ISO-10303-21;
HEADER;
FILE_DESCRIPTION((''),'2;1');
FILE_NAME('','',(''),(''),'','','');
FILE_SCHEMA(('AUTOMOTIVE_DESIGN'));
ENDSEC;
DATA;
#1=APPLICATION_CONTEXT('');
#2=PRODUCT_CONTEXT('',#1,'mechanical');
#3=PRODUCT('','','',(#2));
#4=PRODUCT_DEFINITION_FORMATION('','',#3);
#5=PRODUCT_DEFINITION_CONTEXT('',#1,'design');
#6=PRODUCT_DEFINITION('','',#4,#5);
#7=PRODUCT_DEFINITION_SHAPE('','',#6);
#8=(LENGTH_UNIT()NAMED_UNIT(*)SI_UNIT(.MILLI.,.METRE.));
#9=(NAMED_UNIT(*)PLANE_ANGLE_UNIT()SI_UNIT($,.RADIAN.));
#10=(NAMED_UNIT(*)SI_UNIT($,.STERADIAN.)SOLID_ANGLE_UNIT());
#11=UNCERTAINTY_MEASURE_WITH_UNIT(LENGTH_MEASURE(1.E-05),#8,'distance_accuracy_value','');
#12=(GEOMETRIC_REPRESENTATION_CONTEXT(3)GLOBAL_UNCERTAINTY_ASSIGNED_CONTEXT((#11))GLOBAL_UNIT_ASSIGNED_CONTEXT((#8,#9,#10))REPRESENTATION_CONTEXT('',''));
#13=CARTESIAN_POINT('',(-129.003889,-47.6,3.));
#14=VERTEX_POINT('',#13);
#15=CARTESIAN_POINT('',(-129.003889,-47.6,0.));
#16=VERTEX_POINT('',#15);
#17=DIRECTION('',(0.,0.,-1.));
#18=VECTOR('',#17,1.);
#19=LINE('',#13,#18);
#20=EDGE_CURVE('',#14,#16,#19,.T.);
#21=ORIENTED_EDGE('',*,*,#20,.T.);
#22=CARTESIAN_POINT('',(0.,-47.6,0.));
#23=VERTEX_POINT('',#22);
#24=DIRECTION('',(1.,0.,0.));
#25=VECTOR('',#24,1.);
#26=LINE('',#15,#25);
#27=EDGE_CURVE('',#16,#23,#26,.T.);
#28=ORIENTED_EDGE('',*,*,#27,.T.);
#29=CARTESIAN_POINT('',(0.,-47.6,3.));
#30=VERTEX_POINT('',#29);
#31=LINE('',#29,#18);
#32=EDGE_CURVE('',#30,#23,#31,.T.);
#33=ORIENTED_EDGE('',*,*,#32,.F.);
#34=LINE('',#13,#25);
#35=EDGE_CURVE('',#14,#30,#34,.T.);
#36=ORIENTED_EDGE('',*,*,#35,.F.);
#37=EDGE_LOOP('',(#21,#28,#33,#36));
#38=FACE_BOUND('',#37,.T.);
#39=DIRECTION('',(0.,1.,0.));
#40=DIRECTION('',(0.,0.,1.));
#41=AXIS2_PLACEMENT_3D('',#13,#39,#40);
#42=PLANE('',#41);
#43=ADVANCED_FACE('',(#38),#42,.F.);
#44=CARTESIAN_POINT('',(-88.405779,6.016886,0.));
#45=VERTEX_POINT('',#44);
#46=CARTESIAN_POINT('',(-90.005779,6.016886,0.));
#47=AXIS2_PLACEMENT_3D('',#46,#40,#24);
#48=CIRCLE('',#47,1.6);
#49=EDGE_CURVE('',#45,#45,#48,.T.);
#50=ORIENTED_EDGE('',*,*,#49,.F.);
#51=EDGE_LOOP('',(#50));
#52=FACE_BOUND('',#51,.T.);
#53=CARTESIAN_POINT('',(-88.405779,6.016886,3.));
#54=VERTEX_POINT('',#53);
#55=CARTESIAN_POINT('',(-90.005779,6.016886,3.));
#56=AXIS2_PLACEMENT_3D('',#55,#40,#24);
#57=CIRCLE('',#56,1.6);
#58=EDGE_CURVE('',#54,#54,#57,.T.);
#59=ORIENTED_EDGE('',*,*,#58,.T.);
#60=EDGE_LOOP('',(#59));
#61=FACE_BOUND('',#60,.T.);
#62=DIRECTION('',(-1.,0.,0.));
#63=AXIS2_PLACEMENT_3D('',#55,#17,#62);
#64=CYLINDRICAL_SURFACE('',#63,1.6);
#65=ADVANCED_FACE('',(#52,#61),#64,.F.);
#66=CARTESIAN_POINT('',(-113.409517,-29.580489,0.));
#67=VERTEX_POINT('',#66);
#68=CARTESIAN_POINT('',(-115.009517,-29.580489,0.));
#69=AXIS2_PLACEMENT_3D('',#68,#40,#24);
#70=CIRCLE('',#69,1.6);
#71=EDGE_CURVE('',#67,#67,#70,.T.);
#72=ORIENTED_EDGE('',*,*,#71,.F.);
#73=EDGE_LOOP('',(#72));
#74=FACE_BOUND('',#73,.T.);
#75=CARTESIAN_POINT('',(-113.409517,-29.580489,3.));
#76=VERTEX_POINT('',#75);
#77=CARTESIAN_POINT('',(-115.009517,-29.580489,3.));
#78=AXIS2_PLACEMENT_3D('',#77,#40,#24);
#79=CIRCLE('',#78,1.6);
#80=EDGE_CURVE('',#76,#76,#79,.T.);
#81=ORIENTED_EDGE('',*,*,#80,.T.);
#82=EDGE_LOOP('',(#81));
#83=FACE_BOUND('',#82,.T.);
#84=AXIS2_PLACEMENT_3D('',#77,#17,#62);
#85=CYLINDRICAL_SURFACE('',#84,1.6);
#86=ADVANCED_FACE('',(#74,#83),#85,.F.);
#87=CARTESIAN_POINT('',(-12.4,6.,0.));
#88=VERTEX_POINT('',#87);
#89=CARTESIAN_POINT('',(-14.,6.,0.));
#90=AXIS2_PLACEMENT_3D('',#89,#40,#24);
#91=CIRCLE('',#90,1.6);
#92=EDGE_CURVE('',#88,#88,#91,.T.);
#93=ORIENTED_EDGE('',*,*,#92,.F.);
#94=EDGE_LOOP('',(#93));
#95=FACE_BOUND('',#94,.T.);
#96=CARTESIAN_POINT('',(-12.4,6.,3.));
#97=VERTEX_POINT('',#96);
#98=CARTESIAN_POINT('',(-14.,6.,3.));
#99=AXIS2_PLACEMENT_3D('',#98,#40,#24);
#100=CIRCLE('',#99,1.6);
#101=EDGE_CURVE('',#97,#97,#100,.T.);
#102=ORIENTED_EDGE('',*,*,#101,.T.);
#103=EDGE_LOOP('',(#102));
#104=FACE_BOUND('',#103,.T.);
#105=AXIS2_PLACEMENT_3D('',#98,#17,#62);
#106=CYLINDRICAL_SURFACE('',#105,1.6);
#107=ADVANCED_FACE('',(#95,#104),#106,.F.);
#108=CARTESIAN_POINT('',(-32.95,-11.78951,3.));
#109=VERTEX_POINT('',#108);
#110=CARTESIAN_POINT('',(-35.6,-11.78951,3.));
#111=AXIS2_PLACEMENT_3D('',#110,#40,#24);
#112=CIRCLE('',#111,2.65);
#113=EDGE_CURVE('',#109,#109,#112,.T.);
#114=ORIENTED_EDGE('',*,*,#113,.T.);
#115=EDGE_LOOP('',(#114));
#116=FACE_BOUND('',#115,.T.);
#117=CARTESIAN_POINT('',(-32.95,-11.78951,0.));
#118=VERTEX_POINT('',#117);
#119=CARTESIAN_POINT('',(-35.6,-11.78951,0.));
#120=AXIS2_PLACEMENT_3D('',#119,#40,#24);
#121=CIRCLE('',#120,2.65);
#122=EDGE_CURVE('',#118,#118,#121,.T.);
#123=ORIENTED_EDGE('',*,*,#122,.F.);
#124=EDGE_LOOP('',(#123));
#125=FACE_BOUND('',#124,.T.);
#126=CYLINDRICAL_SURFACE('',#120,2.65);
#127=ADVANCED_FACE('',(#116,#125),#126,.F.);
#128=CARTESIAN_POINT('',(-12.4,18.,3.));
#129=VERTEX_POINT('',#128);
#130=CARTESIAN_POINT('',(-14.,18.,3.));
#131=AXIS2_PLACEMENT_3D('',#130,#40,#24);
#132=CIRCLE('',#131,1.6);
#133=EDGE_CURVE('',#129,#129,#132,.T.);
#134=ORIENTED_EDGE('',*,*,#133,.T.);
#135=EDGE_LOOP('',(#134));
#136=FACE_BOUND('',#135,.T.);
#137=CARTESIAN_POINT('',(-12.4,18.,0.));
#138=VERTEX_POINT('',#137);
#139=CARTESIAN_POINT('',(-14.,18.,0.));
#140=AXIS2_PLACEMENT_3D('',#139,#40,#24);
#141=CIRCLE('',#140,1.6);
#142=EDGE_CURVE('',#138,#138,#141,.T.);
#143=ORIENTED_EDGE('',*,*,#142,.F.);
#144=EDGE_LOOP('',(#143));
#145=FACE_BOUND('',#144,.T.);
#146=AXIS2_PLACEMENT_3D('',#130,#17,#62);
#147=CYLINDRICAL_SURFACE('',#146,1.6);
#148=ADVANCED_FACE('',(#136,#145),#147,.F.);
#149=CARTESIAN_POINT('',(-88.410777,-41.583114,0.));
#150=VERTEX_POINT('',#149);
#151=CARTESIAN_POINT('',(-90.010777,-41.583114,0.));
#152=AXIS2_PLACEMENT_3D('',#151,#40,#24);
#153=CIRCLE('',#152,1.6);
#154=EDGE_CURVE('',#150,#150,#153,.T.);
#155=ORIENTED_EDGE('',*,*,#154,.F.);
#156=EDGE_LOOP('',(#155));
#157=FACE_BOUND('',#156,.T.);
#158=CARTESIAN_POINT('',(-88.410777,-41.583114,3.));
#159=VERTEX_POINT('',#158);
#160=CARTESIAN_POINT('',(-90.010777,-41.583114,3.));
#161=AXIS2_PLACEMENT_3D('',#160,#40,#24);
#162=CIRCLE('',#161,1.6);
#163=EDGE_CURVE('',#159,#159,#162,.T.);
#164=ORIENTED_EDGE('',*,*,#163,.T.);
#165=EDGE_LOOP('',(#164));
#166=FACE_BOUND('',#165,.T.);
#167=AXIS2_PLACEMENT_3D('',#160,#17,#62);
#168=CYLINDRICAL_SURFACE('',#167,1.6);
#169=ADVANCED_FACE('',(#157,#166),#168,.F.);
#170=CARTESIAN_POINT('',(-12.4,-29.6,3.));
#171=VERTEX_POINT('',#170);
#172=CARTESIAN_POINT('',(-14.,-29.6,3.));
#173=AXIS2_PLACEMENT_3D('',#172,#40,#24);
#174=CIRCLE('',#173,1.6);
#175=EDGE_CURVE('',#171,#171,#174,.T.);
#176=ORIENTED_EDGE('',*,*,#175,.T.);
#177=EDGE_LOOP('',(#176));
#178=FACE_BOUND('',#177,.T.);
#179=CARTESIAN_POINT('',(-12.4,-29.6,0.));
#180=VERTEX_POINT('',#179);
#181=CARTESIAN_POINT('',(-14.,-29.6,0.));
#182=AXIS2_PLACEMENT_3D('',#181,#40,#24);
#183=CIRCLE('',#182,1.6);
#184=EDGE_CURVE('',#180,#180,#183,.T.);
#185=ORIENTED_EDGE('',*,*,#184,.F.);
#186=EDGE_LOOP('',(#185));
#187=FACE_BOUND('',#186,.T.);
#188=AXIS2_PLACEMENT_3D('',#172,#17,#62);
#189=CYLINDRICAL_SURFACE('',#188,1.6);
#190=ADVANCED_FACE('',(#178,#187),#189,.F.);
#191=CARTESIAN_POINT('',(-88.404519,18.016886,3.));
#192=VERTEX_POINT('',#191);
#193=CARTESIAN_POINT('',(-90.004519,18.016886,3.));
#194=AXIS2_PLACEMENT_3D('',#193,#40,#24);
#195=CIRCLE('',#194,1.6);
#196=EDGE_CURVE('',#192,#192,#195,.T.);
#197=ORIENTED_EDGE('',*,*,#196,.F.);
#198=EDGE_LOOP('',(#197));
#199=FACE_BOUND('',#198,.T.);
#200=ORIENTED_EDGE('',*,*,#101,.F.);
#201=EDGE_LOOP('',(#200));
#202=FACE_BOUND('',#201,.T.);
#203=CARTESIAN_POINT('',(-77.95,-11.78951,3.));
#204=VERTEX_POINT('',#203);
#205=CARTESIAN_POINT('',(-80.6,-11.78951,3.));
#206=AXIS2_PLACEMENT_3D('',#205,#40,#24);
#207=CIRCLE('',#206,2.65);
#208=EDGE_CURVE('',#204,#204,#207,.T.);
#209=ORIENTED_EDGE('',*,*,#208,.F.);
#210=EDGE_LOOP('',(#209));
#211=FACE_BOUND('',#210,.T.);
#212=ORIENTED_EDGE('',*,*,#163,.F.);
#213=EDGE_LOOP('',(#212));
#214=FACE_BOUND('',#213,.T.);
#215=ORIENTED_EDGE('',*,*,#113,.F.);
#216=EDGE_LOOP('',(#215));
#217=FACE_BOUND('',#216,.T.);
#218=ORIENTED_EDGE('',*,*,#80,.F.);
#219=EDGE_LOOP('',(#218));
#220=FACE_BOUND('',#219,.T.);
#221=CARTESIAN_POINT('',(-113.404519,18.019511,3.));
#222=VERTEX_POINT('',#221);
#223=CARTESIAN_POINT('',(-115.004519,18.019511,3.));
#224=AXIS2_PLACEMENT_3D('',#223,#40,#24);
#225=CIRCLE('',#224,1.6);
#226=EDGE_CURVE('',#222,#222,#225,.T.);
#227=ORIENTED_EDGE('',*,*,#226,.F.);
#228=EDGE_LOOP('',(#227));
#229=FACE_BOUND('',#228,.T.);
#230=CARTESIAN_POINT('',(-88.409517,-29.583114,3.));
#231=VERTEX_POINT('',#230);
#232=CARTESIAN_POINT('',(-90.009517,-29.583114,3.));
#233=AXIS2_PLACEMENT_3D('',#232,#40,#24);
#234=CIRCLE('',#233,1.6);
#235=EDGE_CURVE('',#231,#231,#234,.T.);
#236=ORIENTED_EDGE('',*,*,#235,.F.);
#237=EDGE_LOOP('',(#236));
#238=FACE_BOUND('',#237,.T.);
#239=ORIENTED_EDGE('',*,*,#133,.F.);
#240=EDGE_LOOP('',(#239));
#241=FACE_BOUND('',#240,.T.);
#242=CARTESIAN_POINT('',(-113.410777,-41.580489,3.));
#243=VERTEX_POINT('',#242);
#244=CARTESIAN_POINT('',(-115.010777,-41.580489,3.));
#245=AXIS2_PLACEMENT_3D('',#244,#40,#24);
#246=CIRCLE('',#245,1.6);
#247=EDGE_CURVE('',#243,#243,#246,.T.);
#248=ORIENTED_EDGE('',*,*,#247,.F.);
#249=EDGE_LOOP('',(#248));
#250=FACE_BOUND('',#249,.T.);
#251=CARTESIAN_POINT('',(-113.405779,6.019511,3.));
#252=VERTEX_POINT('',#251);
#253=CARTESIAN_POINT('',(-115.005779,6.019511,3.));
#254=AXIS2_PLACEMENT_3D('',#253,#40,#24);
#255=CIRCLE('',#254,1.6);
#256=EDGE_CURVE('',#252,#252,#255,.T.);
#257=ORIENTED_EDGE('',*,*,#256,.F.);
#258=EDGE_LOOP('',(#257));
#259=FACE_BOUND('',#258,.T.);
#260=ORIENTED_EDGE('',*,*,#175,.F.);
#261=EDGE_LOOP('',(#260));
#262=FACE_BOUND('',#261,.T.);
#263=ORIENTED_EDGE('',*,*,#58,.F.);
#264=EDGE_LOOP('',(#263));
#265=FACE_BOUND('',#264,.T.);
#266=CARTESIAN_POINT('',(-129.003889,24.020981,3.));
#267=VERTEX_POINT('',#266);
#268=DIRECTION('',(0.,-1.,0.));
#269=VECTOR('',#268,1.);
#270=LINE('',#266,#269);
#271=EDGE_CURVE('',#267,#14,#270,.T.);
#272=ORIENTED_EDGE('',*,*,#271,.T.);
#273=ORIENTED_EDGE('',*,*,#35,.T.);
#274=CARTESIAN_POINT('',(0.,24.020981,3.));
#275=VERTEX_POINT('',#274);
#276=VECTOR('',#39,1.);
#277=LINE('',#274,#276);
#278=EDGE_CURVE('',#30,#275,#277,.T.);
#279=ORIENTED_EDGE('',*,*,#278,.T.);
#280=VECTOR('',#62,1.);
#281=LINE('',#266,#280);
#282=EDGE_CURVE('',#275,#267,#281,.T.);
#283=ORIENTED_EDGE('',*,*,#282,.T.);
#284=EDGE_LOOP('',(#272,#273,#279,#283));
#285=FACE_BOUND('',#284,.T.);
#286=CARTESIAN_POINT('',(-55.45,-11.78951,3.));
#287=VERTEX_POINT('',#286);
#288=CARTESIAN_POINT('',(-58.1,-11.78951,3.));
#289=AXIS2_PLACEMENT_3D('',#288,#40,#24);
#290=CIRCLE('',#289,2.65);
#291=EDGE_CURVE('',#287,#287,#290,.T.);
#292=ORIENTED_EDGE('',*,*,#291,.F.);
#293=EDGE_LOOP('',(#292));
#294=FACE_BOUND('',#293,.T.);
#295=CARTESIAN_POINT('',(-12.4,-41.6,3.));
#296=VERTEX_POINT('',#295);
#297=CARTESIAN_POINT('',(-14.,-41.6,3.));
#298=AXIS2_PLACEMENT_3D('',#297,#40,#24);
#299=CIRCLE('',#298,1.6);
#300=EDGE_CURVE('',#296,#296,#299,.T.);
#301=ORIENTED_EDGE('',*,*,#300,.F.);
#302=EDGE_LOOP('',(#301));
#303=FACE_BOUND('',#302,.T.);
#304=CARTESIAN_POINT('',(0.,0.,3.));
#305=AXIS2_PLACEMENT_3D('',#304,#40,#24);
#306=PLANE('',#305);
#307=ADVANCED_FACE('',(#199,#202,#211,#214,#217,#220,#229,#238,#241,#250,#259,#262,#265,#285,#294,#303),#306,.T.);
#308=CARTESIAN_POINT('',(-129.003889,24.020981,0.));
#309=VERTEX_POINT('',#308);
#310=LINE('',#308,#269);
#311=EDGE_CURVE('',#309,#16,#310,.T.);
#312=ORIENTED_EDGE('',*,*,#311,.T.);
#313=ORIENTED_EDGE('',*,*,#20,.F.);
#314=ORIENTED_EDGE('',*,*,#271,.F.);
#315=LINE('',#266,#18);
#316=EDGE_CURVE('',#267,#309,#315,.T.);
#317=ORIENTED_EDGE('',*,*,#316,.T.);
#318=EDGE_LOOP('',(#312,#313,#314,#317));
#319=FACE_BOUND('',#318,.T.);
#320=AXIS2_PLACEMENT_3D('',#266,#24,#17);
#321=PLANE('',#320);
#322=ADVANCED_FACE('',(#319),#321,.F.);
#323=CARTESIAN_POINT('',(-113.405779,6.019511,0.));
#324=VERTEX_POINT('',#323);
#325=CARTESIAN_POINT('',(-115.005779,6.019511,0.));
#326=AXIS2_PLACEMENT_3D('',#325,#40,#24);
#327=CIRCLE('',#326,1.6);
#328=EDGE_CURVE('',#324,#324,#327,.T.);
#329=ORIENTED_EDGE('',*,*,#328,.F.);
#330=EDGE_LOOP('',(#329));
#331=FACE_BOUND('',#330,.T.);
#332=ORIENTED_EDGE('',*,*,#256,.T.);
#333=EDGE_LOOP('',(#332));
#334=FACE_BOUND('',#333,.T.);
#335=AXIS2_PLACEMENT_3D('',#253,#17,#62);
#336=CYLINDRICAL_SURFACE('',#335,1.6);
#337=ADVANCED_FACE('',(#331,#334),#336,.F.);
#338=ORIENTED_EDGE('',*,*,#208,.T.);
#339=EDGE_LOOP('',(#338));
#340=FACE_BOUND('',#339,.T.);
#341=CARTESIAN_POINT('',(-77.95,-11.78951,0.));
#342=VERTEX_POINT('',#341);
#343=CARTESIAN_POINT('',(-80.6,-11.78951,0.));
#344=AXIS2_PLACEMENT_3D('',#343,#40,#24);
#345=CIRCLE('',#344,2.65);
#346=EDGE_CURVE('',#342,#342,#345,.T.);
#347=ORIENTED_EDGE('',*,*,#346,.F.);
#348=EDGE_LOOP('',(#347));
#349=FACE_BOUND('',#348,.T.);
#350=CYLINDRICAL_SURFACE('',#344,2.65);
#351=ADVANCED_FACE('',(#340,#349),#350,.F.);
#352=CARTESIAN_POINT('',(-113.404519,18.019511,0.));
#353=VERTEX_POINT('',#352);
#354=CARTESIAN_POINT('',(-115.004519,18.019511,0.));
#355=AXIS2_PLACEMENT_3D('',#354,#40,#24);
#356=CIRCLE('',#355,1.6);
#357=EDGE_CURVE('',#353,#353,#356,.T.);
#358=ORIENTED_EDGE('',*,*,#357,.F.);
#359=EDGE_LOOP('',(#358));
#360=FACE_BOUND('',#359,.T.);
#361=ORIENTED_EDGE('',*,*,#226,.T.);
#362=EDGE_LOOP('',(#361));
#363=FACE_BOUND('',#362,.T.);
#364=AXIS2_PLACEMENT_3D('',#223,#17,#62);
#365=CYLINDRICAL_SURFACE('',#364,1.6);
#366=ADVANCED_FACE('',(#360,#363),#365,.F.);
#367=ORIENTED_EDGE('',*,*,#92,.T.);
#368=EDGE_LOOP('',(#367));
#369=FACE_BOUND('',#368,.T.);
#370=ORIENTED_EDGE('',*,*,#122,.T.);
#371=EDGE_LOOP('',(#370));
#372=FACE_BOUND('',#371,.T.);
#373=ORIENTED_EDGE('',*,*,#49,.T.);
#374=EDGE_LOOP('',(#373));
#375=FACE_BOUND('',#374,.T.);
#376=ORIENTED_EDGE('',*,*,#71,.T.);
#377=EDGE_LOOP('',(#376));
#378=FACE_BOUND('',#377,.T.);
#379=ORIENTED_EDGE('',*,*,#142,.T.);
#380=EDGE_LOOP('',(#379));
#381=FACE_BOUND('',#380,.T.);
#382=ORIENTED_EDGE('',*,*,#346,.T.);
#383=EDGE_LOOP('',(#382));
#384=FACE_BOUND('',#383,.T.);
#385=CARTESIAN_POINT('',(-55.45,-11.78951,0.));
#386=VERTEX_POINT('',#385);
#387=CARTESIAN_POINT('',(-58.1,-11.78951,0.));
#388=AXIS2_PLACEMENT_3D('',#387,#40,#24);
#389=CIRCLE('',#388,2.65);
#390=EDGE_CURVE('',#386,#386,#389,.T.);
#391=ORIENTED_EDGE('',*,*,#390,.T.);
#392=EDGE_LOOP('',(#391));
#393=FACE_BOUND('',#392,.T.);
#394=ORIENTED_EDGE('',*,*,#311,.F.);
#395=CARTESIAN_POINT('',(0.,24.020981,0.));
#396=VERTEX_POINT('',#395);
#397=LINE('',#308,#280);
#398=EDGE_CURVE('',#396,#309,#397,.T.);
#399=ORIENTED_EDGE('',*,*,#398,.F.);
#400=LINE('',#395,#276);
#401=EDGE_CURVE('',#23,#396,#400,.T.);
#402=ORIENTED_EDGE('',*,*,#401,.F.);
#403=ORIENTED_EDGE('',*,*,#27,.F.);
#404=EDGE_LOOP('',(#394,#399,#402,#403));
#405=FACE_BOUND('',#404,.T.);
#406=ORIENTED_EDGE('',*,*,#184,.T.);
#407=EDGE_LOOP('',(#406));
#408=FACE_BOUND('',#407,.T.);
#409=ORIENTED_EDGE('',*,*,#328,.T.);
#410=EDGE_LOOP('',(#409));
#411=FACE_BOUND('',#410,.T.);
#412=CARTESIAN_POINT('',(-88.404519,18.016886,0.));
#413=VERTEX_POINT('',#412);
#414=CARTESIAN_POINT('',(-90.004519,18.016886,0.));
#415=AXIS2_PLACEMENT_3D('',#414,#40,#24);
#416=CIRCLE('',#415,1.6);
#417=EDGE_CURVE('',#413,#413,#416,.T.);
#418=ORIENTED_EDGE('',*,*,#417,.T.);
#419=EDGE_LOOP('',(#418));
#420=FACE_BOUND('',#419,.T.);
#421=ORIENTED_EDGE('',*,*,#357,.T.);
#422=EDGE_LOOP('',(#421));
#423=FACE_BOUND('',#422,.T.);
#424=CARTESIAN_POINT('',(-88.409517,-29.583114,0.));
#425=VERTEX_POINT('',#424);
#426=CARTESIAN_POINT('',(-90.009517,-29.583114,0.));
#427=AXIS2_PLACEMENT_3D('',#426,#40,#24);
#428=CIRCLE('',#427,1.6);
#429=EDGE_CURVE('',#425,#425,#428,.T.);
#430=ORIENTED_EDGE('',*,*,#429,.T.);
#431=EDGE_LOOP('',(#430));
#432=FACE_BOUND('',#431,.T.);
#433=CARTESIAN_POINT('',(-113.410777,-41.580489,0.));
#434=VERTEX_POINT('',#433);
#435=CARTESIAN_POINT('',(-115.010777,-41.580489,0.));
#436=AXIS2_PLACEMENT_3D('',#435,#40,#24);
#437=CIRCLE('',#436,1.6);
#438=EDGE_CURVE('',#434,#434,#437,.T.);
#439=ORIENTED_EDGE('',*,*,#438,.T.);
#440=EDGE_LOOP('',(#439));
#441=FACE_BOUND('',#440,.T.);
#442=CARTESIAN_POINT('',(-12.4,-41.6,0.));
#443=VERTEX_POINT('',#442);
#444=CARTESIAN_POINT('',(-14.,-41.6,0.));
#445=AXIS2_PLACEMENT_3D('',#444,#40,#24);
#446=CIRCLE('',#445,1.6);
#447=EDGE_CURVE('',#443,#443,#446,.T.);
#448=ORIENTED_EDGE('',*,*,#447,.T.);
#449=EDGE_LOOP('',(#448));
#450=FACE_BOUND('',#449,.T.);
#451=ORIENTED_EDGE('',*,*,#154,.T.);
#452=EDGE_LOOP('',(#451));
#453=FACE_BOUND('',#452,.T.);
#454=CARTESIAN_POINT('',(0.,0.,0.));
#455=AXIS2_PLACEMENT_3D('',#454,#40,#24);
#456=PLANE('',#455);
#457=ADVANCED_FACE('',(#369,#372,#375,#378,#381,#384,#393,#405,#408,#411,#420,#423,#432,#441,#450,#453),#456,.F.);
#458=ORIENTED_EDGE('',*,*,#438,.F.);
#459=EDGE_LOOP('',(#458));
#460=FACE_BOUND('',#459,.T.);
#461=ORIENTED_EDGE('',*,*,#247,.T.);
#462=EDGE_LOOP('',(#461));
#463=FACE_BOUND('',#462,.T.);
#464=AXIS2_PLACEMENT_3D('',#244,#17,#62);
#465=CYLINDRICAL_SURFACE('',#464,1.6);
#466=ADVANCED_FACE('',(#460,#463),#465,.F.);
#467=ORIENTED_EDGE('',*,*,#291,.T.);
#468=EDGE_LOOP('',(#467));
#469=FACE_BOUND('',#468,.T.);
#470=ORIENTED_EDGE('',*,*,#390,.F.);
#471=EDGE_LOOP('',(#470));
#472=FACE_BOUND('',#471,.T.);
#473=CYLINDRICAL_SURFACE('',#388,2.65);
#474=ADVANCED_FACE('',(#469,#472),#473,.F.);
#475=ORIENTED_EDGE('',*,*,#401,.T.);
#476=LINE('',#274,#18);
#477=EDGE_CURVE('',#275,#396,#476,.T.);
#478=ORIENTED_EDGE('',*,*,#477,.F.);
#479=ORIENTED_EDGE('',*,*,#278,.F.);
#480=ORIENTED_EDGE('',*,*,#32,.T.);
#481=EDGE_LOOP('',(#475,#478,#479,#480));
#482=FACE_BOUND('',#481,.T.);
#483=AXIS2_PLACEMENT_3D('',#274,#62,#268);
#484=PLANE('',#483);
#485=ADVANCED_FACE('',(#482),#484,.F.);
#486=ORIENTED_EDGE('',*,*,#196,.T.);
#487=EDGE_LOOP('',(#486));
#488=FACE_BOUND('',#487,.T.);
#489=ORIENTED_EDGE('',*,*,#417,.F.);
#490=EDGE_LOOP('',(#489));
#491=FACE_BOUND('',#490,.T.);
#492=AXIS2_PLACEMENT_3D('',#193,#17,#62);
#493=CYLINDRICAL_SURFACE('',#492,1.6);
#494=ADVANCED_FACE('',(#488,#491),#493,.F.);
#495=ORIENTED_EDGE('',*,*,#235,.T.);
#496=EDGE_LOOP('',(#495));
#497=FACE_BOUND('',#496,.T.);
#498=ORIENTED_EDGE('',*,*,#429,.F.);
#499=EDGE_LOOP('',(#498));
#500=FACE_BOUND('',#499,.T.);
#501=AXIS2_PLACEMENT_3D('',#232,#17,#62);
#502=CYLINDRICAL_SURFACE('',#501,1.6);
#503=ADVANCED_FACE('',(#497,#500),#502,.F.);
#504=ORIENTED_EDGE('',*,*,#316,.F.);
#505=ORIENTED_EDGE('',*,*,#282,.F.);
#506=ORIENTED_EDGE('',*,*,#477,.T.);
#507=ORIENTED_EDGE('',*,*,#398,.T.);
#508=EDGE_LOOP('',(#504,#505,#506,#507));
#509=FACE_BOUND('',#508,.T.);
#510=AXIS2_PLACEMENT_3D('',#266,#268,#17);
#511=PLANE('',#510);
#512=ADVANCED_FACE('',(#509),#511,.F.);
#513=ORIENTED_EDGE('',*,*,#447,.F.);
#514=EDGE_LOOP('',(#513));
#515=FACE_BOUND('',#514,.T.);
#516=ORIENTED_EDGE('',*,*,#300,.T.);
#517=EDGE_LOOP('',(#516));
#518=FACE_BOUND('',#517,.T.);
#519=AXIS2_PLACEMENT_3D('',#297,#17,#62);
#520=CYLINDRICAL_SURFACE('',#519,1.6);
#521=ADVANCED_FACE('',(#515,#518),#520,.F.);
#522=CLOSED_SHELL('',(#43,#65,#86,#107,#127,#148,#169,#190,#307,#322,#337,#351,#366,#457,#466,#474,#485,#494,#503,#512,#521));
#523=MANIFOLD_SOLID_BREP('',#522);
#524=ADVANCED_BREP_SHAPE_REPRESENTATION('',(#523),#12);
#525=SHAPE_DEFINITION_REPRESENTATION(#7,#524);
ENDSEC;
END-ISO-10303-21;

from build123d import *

# Parameters (mm, degrees)
SKETCH_1_W          = 129.003888627
SKETCH_1_H          = 71.620980981
SKETCH_1_R          = 1.6
EXTRUDE_1_DEPTH     = 3
SKETCH_2_R          = 2.65
CUT_EXTRUDE_1_DEPTH = 3
SKETCH_3_R          = 2.65
CUT_EXTRUDE_2_DEPTH = 3


with BuildPart() as part:
    # 草图1 → 凸台-拉伸1 (new body)
    with BuildSketch(Plane.XY):
        with Locations((-64.501944314, -11.78950951)):
            Rectangle(SKETCH_1_W, SKETCH_1_H)
        with Locations((-14, -29.6)):
            Circle(SKETCH_1_R, mode=Mode.SUBTRACT)
        with Locations((-14, -41.6)):
            Circle(SKETCH_1_R, mode=Mode.SUBTRACT)
        with Locations((-14, 6)):
            Circle(SKETCH_1_R, mode=Mode.SUBTRACT)
        with Locations((-14, 18)):
            Circle(SKETCH_1_R, mode=Mode.SUBTRACT)
        with Locations((-90.004518872, 18.016885816)):
            Circle(SKETCH_1_R, mode=Mode.SUBTRACT)
        with Locations((-90.005778933, 6.016885882)):
            Circle(SKETCH_1_R, mode=Mode.SUBTRACT)
        with Locations((-90.010777175, -41.583113855)):
            Circle(SKETCH_1_R, mode=Mode.SUBTRACT)
        with Locations((-90.009517114, -29.583113922)):
            Circle(SKETCH_1_R, mode=Mode.SUBTRACT)
        with Locations((-115.010777037, -41.580488728)):
            Circle(SKETCH_1_R, mode=Mode.SUBTRACT)
        with Locations((-115.009516976, -29.580488794)):
            Circle(SKETCH_1_R, mode=Mode.SUBTRACT)
        with Locations((-115.005778795, 6.019511009)):
            Circle(SKETCH_1_R, mode=Mode.SUBTRACT)
        with Locations((-115.004518734, 18.019510943)):
            Circle(SKETCH_1_R, mode=Mode.SUBTRACT)
    extrude(amount=EXTRUDE_1_DEPTH)

    # 草图2 → 切除-拉伸1 (cut)
    with BuildSketch(Plane.XY.offset(3)):
        with Locations((-58.1, -11.789509509)):
            Circle(SKETCH_2_R)
    extrude(amount=-CUT_EXTRUDE_1_DEPTH, mode=Mode.SUBTRACT)

    # 草图3 → 切除-拉伸2 (cut)
    with BuildSketch(Plane.XY.offset(3)):
        with Locations((-80.6, -11.789509509)):
            Circle(SKETCH_3_R)
        with Locations((-35.6, -11.789509509)):
            Circle(SKETCH_3_R)
    extrude(amount=-CUT_EXTRUDE_2_DEPTH, mode=Mode.SUBTRACT)


solid = part.part
